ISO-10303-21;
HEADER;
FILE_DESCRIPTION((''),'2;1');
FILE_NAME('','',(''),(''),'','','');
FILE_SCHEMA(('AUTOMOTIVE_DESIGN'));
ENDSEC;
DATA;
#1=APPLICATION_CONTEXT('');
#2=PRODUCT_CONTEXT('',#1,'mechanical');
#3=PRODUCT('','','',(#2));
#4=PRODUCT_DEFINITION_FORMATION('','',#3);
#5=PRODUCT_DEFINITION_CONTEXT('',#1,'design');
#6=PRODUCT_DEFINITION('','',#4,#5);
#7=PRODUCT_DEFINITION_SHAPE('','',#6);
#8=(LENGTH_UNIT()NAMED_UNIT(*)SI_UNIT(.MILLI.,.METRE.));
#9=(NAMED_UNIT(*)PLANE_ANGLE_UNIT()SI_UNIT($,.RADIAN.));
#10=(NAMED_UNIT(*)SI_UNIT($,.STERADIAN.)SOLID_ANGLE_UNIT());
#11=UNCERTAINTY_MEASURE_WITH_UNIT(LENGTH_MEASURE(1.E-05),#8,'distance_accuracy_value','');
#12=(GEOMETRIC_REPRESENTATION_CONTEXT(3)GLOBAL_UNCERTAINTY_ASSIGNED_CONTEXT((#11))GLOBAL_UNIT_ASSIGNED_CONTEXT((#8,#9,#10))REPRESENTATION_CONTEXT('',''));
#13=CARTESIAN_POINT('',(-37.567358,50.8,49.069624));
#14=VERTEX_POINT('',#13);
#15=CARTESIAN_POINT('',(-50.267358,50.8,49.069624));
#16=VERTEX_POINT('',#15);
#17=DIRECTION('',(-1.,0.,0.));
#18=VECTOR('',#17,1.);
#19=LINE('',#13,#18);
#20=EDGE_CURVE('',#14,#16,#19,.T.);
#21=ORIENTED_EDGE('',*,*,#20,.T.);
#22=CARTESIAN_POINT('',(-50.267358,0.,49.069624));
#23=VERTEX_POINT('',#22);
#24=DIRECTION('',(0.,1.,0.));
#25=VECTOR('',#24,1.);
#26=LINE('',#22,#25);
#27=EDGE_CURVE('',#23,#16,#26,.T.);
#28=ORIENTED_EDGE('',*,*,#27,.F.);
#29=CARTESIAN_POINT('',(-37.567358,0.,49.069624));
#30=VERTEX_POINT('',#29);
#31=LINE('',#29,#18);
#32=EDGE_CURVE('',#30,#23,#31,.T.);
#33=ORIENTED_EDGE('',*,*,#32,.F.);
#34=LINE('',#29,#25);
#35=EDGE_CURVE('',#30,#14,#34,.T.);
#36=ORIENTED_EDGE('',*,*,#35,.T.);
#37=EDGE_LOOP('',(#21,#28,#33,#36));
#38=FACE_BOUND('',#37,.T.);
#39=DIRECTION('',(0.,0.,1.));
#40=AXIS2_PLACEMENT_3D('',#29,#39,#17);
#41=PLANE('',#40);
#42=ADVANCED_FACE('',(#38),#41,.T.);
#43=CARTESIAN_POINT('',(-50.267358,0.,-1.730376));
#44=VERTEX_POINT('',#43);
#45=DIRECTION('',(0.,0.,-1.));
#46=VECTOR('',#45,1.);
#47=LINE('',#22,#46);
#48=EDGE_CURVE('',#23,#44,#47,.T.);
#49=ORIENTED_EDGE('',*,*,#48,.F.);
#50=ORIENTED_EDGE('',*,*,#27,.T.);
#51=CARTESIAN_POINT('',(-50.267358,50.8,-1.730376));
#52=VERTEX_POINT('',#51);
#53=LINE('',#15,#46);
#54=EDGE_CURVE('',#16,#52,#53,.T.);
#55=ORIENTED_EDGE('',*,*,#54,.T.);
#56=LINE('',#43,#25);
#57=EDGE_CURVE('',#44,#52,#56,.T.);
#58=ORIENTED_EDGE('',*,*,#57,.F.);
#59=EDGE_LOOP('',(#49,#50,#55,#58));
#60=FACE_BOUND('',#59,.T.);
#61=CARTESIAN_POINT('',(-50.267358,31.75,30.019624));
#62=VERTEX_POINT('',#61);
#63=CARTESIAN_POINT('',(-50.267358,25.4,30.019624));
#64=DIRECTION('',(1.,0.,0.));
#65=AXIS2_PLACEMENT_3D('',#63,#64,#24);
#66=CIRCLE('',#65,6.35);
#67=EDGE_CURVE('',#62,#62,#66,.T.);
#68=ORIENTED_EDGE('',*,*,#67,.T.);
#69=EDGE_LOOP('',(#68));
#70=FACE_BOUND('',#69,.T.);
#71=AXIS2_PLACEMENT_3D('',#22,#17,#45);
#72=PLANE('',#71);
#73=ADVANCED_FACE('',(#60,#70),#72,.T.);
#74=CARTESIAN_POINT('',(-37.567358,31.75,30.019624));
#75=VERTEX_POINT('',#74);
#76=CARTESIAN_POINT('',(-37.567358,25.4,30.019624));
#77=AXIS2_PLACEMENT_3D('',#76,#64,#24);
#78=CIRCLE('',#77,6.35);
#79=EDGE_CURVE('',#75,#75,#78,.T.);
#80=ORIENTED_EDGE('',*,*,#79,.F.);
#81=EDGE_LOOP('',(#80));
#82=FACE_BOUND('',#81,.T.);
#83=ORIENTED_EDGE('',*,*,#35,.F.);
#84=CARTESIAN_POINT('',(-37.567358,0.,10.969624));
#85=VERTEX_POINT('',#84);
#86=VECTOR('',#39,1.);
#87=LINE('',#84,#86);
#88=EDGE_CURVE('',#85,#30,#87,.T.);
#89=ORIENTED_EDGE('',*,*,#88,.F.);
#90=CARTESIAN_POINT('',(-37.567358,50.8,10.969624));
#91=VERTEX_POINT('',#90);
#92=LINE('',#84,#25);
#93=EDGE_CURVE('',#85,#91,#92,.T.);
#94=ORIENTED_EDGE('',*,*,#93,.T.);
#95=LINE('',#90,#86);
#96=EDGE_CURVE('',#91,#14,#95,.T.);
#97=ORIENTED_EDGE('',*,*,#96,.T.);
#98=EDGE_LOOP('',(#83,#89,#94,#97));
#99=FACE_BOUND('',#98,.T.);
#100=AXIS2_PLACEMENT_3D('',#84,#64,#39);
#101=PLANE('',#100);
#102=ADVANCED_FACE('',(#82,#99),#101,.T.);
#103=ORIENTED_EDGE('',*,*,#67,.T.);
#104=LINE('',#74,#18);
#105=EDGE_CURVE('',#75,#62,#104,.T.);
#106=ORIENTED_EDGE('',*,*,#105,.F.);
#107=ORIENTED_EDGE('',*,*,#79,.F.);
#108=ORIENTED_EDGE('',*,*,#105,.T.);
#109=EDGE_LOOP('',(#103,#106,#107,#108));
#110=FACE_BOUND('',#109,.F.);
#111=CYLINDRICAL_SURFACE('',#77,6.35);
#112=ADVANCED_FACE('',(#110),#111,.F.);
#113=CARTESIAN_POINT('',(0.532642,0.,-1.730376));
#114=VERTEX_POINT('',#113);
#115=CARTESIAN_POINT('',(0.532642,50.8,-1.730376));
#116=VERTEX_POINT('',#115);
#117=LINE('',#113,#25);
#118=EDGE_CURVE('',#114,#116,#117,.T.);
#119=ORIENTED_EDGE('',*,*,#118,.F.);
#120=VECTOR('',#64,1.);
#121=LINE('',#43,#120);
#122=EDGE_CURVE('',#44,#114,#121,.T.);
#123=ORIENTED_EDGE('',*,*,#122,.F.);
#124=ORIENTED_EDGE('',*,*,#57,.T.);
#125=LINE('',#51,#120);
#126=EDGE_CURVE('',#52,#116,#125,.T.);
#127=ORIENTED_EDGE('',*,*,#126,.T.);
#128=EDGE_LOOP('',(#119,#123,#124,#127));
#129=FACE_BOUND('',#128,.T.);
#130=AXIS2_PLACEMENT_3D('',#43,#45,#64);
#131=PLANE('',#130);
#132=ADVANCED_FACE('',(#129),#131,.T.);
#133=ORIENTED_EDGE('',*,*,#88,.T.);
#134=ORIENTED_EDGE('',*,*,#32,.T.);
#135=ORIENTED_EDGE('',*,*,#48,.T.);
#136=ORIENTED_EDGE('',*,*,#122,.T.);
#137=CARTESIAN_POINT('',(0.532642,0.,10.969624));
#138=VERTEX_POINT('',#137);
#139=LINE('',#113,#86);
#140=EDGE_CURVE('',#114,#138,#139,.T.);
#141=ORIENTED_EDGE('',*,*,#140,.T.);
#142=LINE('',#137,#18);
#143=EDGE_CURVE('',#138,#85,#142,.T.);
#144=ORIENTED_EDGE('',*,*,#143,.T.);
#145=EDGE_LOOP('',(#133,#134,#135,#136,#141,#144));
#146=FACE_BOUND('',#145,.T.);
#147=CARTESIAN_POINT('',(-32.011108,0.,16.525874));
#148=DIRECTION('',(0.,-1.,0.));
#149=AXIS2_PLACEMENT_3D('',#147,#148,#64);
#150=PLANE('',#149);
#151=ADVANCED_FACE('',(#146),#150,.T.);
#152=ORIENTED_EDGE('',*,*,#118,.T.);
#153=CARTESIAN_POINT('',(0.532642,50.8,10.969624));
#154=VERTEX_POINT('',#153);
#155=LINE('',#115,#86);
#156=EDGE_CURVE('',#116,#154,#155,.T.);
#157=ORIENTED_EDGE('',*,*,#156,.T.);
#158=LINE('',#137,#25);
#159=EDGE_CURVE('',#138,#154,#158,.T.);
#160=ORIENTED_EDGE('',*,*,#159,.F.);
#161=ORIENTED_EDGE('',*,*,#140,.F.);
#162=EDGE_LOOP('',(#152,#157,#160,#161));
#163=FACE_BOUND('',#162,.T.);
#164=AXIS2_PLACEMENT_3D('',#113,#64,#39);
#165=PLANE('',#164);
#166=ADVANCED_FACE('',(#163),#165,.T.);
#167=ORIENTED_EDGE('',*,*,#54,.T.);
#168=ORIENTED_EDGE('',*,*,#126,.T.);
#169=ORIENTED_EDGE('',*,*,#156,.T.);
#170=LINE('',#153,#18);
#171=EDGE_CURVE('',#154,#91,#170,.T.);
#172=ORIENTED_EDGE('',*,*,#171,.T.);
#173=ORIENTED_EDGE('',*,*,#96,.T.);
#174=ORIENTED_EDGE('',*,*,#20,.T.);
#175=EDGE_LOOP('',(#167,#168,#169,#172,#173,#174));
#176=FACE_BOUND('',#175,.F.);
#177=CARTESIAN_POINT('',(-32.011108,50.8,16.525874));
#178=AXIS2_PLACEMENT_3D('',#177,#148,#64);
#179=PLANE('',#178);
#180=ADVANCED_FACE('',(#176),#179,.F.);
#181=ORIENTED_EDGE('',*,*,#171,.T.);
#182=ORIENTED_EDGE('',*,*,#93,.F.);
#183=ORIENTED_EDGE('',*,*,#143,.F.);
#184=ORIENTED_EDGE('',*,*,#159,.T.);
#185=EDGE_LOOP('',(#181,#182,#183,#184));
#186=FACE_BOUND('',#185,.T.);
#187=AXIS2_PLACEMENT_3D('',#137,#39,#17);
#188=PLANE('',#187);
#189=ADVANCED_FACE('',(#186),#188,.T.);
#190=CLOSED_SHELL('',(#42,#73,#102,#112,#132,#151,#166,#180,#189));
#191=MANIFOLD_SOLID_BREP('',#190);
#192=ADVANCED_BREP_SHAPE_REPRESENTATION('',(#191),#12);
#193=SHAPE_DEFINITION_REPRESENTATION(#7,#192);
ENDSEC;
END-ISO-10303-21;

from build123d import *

# Parameters (mm, degrees)
F1_DEPTH = 50.8
F2_R     = 6.35
F3_DEPTH = 12.7


with BuildPart() as f1:
    # F0 (on Front) → F1 (new body)
    with BuildSketch(Plane.XZ):
        Polygon((-37.567358, 49.069624), (-50.267358, 49.069624), (-50.267358, -1.730376), (0.532642, -1.730376), (0.532642, 10.969624), (-37.567358, 10.969624), align=None)
    extrude(amount=-F1_DEPTH)

    # F2 (on face) → F3 (cut)
    with BuildSketch(Plane.YZ.offset(-37.567358)):
        with Locations((25.4, 30.019624)):
            Circle(F2_R)
    extrude(amount=-F3_DEPTH, mode=Mode.SUBTRACT)


solid = f1.part
